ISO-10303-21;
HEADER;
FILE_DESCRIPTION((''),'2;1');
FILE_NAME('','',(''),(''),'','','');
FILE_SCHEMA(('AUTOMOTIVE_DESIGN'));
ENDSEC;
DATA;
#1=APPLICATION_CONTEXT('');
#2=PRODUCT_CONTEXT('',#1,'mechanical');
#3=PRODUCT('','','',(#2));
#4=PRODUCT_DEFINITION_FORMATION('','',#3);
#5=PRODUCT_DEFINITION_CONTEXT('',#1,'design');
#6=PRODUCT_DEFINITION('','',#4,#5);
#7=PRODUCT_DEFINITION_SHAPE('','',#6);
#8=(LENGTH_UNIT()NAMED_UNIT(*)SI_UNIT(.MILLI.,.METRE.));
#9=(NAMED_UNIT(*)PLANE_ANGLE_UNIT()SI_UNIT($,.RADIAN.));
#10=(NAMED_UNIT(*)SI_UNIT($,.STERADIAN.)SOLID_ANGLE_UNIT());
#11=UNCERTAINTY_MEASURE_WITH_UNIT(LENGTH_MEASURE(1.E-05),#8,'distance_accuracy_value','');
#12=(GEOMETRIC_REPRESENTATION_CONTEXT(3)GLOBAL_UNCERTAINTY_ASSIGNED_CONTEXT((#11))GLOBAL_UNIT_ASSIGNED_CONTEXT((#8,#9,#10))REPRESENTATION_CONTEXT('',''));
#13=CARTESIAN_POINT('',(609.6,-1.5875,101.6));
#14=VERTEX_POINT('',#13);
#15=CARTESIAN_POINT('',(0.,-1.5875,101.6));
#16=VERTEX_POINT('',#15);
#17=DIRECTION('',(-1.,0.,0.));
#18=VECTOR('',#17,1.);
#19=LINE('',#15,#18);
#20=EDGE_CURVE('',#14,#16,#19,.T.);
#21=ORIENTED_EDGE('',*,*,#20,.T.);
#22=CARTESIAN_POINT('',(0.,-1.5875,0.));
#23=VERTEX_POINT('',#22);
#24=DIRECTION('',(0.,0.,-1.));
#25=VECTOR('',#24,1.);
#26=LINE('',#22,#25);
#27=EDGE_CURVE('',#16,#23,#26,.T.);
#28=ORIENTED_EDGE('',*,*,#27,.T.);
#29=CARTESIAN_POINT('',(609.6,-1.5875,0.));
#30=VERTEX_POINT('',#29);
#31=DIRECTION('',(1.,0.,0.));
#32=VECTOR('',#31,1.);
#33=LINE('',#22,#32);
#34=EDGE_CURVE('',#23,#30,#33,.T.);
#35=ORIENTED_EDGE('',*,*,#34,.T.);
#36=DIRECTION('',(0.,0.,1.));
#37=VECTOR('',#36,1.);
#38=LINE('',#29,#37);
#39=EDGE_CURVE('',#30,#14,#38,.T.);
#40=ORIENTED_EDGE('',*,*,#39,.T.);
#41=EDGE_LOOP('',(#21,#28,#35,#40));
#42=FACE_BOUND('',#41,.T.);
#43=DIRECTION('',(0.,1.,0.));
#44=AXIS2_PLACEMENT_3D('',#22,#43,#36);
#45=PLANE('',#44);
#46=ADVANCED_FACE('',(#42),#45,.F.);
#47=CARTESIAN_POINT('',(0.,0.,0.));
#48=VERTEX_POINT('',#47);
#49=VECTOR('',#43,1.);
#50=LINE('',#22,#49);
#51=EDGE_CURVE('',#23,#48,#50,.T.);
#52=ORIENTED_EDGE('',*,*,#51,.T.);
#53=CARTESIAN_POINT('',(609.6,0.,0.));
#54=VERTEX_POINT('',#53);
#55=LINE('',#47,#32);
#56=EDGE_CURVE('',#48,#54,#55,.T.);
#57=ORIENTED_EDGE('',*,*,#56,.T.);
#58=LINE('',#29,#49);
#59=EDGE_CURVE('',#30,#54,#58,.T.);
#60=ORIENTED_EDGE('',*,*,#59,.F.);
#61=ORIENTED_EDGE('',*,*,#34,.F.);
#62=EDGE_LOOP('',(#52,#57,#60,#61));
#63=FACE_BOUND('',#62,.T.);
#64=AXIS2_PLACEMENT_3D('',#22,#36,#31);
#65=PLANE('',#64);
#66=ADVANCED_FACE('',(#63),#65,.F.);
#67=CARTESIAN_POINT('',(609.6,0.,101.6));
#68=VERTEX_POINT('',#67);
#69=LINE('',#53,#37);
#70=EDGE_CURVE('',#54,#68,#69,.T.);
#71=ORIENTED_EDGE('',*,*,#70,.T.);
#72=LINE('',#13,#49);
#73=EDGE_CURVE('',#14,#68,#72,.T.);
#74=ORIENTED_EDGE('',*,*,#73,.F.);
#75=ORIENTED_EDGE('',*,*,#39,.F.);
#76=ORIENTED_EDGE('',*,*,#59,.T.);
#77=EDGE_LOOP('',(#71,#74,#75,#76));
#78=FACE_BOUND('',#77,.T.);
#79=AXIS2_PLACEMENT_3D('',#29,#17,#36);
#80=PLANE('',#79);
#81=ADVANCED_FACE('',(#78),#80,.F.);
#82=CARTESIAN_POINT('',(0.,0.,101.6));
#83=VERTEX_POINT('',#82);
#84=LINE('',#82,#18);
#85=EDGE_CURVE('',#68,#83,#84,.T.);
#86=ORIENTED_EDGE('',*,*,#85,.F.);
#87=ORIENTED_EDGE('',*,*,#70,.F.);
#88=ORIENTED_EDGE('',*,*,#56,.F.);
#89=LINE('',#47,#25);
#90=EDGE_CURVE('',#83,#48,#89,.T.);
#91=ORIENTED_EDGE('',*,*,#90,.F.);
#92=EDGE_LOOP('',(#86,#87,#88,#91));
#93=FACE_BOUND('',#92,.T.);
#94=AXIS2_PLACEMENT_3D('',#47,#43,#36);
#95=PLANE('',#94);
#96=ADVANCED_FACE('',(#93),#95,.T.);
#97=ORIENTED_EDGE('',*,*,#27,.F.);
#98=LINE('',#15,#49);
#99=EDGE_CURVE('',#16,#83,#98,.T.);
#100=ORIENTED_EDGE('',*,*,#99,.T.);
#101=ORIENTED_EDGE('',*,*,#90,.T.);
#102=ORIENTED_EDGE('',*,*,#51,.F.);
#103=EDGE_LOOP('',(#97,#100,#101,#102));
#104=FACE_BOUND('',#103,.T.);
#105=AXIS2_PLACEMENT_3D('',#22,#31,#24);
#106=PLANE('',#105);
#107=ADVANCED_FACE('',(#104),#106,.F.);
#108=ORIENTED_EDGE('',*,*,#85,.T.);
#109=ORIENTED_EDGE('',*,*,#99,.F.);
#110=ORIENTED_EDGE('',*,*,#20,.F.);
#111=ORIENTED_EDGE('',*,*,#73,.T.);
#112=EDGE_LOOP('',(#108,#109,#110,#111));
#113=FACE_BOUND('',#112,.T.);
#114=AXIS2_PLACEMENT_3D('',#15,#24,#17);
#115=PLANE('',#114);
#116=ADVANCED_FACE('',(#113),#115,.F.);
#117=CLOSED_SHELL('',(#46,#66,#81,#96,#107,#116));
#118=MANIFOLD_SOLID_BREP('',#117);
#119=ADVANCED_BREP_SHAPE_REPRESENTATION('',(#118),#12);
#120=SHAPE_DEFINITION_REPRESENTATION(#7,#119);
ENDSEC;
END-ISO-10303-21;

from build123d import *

# Parameters (mm, degrees)
SKETCH1_W           = 609.6
SKETCH1_H           = 101.6
BOSS_EXTRUDE1_DEPTH = 1.5875


with BuildPart() as part:
    # Sketch1 → Boss-Extrude1 (new body)
    with BuildSketch(Plane.XZ):
        with Locations((304.8, 50.8)):
            Rectangle(SKETCH1_W, SKETCH1_H)
    extrude(amount=BOSS_EXTRUDE1_DEPTH)


solid = part.part
